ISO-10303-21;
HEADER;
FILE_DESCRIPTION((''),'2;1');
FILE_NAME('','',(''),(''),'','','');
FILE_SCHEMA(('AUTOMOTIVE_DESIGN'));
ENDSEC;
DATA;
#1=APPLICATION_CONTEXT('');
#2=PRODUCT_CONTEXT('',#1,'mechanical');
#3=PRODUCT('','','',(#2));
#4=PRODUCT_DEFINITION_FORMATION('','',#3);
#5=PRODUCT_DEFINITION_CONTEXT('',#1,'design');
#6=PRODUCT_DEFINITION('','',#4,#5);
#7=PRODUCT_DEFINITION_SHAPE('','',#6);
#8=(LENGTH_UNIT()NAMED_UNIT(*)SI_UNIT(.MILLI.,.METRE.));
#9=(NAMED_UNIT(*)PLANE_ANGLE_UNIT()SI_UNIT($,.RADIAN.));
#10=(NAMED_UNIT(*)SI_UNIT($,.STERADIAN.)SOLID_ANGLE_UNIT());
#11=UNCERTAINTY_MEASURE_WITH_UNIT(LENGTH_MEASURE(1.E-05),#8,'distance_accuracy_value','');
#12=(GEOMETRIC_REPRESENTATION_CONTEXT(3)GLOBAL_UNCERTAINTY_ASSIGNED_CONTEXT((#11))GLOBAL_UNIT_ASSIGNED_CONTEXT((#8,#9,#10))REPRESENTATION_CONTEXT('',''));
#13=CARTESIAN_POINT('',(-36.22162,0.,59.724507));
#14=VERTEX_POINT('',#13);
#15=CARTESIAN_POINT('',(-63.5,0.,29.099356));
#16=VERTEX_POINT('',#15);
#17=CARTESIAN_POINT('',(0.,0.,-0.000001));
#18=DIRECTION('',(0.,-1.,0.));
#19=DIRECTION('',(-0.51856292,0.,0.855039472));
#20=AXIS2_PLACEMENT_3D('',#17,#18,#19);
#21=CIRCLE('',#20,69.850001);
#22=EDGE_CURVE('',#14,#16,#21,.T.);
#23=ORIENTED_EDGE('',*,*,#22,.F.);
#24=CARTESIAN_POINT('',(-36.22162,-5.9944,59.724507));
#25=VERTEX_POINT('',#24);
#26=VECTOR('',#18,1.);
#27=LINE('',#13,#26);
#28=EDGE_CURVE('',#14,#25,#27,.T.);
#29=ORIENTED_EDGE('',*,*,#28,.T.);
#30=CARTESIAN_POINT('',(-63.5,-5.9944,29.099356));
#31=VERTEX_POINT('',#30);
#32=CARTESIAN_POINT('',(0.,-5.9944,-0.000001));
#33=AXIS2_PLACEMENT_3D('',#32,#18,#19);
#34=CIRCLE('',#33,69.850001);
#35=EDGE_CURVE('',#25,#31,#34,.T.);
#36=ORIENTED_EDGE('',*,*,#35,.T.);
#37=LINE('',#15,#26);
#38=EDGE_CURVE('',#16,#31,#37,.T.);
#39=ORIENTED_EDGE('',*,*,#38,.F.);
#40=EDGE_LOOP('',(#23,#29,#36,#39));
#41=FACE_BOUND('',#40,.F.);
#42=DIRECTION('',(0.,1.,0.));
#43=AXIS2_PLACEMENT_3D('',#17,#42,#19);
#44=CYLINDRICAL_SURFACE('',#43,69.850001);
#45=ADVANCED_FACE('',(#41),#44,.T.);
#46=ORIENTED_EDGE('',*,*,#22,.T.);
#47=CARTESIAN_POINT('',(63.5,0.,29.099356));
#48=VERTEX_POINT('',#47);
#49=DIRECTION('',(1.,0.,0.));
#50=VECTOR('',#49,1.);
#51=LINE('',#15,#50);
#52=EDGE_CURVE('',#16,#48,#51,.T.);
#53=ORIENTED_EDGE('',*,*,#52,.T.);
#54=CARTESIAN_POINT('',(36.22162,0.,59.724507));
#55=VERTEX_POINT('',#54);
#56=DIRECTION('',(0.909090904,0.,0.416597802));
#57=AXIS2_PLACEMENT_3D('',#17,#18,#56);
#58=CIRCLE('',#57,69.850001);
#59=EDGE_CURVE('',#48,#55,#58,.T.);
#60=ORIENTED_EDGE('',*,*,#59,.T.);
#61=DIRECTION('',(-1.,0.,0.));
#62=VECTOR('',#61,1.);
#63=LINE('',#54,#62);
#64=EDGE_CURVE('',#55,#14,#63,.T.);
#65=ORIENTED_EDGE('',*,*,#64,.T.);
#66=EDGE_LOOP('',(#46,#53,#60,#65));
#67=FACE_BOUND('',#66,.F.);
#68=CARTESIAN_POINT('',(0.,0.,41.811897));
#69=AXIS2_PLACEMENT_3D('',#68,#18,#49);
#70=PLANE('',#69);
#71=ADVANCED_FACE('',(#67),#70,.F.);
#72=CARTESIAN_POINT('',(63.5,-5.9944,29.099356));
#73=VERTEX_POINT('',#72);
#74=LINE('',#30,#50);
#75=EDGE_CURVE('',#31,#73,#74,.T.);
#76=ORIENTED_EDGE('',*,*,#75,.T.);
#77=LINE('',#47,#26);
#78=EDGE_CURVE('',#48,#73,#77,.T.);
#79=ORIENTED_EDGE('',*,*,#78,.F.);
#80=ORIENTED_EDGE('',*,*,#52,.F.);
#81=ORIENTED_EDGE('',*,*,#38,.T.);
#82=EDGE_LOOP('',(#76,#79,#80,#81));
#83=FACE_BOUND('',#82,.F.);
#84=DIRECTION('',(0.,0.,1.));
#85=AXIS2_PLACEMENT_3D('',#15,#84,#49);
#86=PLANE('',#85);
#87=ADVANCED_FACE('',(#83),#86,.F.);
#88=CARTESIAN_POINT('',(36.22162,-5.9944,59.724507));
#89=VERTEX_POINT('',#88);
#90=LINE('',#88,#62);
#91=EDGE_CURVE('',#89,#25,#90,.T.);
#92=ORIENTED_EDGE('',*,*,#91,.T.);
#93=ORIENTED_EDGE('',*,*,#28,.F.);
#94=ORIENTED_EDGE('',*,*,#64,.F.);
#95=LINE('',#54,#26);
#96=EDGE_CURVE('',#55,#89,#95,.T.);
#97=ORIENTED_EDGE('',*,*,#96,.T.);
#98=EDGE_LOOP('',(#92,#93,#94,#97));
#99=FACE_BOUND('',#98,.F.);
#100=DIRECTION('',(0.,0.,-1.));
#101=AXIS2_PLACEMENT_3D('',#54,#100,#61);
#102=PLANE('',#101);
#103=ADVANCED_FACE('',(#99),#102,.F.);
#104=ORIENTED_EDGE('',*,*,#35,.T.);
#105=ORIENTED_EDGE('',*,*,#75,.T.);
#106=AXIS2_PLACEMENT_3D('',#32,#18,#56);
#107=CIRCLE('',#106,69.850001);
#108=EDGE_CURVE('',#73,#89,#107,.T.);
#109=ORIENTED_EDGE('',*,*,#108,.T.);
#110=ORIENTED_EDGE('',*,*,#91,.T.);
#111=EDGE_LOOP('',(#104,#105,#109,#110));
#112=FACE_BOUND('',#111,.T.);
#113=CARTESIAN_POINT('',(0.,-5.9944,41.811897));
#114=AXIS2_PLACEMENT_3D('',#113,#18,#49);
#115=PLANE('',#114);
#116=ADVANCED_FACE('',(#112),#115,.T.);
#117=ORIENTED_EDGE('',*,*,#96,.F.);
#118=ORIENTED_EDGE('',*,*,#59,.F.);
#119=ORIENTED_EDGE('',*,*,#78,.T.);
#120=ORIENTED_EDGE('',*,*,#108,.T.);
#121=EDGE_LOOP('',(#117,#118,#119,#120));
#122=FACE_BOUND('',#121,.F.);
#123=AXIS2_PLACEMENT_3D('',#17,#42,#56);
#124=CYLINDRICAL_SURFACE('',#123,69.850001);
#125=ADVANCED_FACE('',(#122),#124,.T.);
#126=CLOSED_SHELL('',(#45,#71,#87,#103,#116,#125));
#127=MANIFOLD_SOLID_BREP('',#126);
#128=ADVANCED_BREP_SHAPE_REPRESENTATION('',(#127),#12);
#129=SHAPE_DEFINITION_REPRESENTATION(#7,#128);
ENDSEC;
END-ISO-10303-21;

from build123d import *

# Parameters (mm, degrees)
F1_DEPTH = 5.9944


with BuildPart() as f1:
    # F0 (on Front) → F1 (new body)
    with BuildSketch(Plane.XZ):
        with BuildLine():
            ThreePointArc((-36.22162, 59.724507), (-52.159135, 46.459091), (-63.5, 29.099356))
            Line((-63.5, 29.099356), (-15.24, 29.099356))
            Line((-15.24, 29.099356), (15.24, 29.099356))
            Line((15.24, 29.099356), (63.5, 29.099356))
            ThreePointArc((63.5, 29.099356), (52.159135, 46.459091), (36.22162, 59.724507))
            Line((36.22162, 59.724507), (-36.22162, 59.724507))
        make_face()
    extrude(amount=F1_DEPTH)


solid = f1.part
